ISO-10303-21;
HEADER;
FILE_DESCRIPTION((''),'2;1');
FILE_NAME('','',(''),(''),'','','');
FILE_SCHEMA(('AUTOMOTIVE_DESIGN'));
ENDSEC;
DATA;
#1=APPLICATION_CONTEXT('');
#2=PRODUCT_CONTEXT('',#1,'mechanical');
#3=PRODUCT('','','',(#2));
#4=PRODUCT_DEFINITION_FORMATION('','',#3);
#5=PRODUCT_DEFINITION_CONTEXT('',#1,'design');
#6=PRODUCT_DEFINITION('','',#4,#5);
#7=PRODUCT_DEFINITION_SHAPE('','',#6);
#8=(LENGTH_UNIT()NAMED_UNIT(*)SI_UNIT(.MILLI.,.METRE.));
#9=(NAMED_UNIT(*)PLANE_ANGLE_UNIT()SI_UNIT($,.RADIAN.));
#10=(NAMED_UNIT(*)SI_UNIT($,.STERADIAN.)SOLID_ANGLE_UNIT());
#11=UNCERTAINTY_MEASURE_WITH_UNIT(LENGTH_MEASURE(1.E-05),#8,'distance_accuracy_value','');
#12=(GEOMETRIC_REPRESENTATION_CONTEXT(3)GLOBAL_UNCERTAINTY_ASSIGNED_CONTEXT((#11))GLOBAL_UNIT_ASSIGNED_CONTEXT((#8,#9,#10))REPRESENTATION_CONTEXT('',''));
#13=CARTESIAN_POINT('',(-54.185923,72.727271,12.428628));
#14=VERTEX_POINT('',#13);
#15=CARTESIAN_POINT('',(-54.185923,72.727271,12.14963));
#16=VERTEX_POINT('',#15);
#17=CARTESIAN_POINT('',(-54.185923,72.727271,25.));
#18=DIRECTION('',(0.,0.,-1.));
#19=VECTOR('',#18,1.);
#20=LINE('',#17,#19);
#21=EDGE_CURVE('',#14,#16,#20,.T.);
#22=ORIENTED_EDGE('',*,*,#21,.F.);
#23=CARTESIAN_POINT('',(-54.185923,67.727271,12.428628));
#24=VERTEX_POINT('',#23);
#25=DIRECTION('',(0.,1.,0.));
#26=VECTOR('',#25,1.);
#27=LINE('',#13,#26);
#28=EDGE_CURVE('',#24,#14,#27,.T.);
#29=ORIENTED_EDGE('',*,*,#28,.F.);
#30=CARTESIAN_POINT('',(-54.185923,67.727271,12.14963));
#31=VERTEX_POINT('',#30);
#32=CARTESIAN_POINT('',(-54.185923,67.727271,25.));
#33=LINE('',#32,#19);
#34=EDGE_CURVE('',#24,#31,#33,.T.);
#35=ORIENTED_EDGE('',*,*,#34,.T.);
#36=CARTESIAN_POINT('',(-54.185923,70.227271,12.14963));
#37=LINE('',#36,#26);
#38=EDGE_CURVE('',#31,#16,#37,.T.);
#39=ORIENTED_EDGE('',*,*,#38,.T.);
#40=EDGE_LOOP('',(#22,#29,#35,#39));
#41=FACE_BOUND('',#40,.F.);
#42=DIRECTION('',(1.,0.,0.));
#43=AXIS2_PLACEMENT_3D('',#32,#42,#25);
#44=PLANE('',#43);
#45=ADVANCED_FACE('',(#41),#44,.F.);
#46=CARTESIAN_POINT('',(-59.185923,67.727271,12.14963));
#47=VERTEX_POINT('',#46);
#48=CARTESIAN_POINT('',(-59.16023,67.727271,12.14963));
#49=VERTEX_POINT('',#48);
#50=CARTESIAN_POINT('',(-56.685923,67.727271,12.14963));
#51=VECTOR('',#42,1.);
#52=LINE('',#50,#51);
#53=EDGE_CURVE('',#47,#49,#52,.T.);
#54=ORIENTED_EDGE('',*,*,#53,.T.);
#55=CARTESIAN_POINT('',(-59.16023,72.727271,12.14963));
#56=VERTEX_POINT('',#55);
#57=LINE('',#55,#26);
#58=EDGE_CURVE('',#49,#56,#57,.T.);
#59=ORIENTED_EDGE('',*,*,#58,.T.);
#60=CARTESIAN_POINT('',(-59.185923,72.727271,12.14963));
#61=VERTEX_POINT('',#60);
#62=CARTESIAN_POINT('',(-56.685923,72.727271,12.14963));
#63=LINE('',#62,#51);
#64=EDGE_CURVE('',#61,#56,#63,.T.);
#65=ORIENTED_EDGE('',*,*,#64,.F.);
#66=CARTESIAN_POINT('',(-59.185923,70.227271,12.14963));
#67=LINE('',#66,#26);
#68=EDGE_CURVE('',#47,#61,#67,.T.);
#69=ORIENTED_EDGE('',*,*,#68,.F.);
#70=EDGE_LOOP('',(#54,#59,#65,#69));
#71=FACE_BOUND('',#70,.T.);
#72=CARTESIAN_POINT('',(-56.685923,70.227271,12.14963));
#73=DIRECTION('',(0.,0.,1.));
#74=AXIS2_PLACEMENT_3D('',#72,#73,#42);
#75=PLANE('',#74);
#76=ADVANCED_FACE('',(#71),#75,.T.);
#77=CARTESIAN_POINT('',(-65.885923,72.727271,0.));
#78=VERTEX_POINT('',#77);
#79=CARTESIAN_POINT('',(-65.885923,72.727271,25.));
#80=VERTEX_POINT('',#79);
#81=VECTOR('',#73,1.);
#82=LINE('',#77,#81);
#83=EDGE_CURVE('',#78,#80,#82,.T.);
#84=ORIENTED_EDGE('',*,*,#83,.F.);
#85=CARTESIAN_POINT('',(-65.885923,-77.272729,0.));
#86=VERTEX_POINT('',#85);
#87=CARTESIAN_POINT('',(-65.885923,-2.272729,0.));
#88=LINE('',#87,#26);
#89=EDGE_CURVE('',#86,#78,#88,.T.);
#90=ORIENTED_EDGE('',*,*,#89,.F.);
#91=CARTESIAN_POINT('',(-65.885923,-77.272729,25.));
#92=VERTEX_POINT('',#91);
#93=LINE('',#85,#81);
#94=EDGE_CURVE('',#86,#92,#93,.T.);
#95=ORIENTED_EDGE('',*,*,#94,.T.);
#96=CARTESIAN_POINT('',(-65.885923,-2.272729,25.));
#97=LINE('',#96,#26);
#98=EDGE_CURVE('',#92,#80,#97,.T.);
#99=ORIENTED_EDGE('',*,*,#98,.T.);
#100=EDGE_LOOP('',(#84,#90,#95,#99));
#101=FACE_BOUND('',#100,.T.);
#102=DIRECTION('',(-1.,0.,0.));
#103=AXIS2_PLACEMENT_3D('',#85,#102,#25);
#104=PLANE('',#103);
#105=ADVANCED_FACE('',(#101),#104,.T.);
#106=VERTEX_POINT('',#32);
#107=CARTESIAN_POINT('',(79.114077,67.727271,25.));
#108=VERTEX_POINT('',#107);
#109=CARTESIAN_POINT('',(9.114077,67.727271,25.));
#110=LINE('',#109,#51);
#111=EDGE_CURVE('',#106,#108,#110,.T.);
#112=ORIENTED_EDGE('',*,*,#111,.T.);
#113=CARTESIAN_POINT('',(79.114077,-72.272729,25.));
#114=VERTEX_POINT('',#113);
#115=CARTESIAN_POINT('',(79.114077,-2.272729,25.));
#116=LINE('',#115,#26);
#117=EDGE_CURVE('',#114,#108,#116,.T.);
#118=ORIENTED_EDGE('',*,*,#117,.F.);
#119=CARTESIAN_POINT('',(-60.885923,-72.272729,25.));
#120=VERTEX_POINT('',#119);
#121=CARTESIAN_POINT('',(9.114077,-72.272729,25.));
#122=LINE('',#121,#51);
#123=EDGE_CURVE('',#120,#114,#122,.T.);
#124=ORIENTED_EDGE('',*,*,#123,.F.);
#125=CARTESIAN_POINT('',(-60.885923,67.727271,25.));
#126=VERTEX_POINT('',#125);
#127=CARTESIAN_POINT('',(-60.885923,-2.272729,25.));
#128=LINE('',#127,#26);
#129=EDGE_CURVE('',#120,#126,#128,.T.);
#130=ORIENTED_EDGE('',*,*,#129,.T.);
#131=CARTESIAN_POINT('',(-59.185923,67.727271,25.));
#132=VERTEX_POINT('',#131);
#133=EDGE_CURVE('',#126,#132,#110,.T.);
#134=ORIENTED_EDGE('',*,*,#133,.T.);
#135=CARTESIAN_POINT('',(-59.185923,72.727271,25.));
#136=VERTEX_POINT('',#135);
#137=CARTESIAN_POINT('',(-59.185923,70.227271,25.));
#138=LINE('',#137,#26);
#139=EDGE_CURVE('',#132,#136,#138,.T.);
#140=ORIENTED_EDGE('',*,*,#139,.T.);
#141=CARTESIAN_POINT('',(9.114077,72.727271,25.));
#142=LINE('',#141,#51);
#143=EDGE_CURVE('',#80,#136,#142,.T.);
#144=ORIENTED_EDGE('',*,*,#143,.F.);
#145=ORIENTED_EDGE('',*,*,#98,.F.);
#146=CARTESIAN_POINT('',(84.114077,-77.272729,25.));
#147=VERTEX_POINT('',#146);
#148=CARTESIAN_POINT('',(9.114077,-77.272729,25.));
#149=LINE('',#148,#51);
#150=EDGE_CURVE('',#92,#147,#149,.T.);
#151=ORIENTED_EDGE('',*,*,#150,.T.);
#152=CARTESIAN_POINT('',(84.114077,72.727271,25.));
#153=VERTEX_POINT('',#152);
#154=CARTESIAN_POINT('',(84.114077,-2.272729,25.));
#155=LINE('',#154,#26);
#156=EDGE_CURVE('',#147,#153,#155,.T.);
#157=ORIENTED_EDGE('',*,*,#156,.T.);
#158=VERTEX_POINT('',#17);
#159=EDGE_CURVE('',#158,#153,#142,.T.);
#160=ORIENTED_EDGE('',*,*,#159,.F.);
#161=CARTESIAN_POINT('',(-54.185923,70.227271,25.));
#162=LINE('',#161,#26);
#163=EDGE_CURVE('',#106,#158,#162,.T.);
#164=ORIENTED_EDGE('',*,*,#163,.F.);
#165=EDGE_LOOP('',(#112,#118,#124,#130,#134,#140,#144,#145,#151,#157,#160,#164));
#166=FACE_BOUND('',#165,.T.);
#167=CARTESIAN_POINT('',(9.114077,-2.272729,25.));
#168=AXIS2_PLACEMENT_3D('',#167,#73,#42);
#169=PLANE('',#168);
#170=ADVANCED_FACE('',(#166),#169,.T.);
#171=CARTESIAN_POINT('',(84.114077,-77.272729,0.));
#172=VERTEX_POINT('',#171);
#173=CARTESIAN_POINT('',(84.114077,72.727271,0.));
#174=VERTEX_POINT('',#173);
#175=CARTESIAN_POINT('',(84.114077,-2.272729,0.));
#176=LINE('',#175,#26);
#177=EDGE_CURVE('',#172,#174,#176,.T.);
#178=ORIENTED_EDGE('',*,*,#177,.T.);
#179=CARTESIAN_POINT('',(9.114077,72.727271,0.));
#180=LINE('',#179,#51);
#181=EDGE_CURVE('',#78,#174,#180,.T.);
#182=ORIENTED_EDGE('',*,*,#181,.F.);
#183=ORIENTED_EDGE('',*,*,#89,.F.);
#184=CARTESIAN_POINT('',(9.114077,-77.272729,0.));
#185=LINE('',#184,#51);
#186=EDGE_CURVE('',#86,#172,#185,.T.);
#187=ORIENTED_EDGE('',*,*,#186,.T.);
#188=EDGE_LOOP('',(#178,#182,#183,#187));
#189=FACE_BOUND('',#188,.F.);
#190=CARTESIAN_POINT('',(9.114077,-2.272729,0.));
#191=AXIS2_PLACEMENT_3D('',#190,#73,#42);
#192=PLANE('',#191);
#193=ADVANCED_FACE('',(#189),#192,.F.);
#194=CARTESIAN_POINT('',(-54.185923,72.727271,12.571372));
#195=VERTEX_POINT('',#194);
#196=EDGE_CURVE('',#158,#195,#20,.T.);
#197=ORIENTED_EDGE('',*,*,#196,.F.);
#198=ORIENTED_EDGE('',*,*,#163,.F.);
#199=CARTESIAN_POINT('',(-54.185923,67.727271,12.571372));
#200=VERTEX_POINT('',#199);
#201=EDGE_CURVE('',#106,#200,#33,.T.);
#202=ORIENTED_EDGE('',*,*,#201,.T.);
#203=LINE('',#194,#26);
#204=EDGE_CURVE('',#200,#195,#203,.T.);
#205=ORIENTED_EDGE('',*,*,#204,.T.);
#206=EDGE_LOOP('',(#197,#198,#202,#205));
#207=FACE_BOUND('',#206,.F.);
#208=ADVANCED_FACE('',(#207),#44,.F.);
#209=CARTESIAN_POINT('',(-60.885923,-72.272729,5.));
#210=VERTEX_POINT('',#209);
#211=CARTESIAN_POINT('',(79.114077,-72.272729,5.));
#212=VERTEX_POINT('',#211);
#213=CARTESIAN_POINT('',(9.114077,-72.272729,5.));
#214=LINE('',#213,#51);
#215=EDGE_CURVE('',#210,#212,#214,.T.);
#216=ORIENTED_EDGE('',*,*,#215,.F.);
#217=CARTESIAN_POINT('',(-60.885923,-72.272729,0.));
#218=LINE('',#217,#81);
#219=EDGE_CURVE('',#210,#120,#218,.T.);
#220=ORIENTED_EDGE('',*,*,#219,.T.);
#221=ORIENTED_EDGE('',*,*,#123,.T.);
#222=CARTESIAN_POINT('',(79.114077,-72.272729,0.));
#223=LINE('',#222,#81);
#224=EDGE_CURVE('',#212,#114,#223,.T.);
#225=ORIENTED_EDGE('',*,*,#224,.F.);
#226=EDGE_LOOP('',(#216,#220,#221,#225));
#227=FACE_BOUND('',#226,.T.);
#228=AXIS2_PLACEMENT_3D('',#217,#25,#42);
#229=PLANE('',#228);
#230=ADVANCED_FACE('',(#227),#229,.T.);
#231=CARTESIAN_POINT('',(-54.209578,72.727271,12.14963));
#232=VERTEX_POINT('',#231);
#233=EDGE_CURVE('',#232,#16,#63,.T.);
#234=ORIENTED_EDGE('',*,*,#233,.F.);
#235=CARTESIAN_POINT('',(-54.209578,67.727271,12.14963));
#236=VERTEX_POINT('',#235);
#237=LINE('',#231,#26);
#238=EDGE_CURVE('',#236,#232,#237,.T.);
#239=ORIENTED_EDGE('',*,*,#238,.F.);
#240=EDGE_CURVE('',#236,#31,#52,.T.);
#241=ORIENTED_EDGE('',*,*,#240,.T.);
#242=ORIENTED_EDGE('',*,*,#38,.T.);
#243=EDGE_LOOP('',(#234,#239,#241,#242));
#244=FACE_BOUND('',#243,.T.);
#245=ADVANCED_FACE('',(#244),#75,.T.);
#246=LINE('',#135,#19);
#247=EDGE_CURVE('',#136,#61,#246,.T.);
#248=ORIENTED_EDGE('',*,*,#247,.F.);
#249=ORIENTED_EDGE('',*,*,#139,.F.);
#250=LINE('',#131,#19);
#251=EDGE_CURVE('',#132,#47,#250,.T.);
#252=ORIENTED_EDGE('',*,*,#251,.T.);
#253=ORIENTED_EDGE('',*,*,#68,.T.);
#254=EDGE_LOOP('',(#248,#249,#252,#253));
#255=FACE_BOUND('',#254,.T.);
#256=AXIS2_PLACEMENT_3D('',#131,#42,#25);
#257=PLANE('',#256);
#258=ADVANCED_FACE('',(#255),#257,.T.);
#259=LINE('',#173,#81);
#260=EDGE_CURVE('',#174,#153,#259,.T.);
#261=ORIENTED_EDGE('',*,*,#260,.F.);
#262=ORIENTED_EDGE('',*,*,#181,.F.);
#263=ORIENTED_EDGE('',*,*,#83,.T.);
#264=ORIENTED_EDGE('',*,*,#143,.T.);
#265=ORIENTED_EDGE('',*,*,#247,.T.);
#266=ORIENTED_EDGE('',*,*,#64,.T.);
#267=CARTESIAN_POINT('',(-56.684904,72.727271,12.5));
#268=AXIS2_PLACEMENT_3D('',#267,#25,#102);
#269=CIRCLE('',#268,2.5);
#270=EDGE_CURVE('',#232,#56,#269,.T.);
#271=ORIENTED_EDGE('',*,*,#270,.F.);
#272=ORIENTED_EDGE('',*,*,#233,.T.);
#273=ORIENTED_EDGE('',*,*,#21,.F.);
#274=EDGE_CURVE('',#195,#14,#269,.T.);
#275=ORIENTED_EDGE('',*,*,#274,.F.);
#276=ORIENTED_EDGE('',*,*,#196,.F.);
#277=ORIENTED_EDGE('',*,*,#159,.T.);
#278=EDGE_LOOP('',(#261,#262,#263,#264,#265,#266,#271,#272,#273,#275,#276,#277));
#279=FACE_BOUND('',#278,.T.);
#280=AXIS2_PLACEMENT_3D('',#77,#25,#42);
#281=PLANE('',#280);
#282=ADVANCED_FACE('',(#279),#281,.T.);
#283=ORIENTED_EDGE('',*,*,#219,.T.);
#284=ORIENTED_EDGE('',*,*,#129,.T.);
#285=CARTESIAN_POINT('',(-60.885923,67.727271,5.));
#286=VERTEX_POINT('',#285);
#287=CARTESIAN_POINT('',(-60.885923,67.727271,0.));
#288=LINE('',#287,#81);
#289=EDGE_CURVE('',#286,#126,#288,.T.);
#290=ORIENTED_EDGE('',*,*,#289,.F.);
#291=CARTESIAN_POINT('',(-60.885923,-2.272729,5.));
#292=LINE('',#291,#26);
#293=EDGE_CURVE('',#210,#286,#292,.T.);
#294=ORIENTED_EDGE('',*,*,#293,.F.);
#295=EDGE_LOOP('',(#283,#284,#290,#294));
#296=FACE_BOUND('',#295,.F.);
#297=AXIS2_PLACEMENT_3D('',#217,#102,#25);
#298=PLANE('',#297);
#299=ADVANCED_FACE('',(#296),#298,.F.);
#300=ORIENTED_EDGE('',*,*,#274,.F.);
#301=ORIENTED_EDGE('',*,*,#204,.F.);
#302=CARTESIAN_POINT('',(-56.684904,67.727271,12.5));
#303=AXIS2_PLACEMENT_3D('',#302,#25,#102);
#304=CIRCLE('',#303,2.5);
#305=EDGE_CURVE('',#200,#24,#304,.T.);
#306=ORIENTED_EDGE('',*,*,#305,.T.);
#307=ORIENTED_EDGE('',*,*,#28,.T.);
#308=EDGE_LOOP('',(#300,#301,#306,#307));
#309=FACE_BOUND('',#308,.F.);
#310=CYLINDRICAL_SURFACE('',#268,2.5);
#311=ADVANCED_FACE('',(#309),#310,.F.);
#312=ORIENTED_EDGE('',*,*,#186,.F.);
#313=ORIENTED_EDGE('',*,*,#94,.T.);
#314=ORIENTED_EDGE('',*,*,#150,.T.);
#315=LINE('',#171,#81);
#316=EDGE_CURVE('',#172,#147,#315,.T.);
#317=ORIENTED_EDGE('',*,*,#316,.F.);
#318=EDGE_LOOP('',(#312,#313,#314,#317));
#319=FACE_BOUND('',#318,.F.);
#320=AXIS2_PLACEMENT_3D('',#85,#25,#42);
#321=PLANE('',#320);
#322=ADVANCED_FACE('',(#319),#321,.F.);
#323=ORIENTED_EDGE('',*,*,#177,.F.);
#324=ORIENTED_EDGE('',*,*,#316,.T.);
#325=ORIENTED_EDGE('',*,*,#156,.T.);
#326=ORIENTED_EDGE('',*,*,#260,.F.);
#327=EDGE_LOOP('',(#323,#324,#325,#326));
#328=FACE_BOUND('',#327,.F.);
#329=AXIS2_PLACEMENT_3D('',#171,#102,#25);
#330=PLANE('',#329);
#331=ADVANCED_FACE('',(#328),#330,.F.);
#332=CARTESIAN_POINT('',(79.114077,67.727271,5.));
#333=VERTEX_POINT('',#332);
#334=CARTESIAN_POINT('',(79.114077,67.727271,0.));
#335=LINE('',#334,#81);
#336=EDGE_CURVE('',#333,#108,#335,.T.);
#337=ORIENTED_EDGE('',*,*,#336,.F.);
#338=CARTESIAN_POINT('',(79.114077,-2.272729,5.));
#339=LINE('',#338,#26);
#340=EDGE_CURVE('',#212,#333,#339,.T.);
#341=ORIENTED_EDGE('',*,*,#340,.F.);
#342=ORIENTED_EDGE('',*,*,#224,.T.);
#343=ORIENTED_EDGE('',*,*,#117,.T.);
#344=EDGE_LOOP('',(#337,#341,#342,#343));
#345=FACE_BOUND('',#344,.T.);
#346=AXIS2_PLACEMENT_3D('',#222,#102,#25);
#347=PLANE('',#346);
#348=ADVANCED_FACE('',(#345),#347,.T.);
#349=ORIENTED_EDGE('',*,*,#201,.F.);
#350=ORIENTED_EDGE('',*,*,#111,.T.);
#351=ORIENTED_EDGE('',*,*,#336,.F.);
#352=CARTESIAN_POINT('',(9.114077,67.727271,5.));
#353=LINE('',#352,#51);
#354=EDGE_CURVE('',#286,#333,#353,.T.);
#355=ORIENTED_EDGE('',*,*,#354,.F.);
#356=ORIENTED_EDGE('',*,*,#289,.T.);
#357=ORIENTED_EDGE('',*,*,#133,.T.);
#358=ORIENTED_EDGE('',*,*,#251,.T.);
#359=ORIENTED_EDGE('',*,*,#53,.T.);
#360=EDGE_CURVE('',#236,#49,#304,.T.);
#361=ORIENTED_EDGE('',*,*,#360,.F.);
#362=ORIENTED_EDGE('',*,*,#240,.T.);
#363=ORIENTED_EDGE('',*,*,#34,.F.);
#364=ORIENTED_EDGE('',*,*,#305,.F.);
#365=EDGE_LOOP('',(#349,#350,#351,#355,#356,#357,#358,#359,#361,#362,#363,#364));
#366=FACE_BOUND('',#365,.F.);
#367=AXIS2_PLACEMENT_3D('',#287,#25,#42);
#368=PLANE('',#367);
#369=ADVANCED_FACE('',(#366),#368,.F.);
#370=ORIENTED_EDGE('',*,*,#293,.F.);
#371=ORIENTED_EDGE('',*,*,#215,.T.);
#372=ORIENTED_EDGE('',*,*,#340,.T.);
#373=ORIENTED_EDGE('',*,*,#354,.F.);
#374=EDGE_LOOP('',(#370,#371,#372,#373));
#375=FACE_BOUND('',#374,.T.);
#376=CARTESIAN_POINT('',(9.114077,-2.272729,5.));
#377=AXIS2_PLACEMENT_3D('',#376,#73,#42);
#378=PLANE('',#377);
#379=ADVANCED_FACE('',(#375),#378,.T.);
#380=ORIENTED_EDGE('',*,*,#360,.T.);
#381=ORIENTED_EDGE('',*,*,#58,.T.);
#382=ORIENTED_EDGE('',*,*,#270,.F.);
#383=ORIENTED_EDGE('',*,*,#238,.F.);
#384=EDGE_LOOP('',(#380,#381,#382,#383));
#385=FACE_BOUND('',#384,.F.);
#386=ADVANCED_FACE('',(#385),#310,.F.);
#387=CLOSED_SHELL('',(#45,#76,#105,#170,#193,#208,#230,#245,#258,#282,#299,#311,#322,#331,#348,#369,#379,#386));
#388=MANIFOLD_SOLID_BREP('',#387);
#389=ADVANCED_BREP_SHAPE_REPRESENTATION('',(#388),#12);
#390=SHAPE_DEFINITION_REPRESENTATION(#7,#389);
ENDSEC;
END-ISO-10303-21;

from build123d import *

# Parameters (mm, degrees)
F0_W     = 150
F0_H     = 150
F0_W_2   = 140
F0_H_2   = 140
F1_DEPTH = 25
F2_DEPTH = 5
F3_R     = 2.5
F4_DEPTH = 6
F5_W     = 5
F5_H     = 5
F6_DEPTH = 12.85037


with BuildPart() as f1:
    # F0 (on Top) → F1 (new body)
    with BuildSketch(Plane.XY):
        with Locations((9.114077, -2.272729)):
            Rectangle(F0_W, F0_H)
        with Locations((9.114077, -2.272729)):
            Rectangle(F0_W_2, F0_H_2, mode=Mode.SUBTRACT)
    extrude(amount=F1_DEPTH)

    # F0 (on Top) → F2 (join)
    with BuildSketch(Plane.XY):
        with Locations((9.114077, -2.272729)):
            Rectangle(F0_W_2, F0_H_2)
    extrude(amount=F2_DEPTH)

    # F3 (on face) → F4 (cut)
    with BuildSketch(Plane(origin=(0, 72.727271, 0), x_dir=(-1, 0, 0), z_dir=(0, 1, 0))):
        with Locations((56.684904, 12.5)):
            Circle(F3_R)
    extrude(amount=-F4_DEPTH, mode=Mode.SUBTRACT)

    # F5 (on face) → F6 (cut)
    with BuildSketch(Plane.XY.offset(25)):
        with Locations((-56.685923, 70.227271)):
            Rectangle(F5_W, F5_H)
    extrude(amount=-F6_DEPTH, mode=Mode.SUBTRACT)


solid = f1.part
